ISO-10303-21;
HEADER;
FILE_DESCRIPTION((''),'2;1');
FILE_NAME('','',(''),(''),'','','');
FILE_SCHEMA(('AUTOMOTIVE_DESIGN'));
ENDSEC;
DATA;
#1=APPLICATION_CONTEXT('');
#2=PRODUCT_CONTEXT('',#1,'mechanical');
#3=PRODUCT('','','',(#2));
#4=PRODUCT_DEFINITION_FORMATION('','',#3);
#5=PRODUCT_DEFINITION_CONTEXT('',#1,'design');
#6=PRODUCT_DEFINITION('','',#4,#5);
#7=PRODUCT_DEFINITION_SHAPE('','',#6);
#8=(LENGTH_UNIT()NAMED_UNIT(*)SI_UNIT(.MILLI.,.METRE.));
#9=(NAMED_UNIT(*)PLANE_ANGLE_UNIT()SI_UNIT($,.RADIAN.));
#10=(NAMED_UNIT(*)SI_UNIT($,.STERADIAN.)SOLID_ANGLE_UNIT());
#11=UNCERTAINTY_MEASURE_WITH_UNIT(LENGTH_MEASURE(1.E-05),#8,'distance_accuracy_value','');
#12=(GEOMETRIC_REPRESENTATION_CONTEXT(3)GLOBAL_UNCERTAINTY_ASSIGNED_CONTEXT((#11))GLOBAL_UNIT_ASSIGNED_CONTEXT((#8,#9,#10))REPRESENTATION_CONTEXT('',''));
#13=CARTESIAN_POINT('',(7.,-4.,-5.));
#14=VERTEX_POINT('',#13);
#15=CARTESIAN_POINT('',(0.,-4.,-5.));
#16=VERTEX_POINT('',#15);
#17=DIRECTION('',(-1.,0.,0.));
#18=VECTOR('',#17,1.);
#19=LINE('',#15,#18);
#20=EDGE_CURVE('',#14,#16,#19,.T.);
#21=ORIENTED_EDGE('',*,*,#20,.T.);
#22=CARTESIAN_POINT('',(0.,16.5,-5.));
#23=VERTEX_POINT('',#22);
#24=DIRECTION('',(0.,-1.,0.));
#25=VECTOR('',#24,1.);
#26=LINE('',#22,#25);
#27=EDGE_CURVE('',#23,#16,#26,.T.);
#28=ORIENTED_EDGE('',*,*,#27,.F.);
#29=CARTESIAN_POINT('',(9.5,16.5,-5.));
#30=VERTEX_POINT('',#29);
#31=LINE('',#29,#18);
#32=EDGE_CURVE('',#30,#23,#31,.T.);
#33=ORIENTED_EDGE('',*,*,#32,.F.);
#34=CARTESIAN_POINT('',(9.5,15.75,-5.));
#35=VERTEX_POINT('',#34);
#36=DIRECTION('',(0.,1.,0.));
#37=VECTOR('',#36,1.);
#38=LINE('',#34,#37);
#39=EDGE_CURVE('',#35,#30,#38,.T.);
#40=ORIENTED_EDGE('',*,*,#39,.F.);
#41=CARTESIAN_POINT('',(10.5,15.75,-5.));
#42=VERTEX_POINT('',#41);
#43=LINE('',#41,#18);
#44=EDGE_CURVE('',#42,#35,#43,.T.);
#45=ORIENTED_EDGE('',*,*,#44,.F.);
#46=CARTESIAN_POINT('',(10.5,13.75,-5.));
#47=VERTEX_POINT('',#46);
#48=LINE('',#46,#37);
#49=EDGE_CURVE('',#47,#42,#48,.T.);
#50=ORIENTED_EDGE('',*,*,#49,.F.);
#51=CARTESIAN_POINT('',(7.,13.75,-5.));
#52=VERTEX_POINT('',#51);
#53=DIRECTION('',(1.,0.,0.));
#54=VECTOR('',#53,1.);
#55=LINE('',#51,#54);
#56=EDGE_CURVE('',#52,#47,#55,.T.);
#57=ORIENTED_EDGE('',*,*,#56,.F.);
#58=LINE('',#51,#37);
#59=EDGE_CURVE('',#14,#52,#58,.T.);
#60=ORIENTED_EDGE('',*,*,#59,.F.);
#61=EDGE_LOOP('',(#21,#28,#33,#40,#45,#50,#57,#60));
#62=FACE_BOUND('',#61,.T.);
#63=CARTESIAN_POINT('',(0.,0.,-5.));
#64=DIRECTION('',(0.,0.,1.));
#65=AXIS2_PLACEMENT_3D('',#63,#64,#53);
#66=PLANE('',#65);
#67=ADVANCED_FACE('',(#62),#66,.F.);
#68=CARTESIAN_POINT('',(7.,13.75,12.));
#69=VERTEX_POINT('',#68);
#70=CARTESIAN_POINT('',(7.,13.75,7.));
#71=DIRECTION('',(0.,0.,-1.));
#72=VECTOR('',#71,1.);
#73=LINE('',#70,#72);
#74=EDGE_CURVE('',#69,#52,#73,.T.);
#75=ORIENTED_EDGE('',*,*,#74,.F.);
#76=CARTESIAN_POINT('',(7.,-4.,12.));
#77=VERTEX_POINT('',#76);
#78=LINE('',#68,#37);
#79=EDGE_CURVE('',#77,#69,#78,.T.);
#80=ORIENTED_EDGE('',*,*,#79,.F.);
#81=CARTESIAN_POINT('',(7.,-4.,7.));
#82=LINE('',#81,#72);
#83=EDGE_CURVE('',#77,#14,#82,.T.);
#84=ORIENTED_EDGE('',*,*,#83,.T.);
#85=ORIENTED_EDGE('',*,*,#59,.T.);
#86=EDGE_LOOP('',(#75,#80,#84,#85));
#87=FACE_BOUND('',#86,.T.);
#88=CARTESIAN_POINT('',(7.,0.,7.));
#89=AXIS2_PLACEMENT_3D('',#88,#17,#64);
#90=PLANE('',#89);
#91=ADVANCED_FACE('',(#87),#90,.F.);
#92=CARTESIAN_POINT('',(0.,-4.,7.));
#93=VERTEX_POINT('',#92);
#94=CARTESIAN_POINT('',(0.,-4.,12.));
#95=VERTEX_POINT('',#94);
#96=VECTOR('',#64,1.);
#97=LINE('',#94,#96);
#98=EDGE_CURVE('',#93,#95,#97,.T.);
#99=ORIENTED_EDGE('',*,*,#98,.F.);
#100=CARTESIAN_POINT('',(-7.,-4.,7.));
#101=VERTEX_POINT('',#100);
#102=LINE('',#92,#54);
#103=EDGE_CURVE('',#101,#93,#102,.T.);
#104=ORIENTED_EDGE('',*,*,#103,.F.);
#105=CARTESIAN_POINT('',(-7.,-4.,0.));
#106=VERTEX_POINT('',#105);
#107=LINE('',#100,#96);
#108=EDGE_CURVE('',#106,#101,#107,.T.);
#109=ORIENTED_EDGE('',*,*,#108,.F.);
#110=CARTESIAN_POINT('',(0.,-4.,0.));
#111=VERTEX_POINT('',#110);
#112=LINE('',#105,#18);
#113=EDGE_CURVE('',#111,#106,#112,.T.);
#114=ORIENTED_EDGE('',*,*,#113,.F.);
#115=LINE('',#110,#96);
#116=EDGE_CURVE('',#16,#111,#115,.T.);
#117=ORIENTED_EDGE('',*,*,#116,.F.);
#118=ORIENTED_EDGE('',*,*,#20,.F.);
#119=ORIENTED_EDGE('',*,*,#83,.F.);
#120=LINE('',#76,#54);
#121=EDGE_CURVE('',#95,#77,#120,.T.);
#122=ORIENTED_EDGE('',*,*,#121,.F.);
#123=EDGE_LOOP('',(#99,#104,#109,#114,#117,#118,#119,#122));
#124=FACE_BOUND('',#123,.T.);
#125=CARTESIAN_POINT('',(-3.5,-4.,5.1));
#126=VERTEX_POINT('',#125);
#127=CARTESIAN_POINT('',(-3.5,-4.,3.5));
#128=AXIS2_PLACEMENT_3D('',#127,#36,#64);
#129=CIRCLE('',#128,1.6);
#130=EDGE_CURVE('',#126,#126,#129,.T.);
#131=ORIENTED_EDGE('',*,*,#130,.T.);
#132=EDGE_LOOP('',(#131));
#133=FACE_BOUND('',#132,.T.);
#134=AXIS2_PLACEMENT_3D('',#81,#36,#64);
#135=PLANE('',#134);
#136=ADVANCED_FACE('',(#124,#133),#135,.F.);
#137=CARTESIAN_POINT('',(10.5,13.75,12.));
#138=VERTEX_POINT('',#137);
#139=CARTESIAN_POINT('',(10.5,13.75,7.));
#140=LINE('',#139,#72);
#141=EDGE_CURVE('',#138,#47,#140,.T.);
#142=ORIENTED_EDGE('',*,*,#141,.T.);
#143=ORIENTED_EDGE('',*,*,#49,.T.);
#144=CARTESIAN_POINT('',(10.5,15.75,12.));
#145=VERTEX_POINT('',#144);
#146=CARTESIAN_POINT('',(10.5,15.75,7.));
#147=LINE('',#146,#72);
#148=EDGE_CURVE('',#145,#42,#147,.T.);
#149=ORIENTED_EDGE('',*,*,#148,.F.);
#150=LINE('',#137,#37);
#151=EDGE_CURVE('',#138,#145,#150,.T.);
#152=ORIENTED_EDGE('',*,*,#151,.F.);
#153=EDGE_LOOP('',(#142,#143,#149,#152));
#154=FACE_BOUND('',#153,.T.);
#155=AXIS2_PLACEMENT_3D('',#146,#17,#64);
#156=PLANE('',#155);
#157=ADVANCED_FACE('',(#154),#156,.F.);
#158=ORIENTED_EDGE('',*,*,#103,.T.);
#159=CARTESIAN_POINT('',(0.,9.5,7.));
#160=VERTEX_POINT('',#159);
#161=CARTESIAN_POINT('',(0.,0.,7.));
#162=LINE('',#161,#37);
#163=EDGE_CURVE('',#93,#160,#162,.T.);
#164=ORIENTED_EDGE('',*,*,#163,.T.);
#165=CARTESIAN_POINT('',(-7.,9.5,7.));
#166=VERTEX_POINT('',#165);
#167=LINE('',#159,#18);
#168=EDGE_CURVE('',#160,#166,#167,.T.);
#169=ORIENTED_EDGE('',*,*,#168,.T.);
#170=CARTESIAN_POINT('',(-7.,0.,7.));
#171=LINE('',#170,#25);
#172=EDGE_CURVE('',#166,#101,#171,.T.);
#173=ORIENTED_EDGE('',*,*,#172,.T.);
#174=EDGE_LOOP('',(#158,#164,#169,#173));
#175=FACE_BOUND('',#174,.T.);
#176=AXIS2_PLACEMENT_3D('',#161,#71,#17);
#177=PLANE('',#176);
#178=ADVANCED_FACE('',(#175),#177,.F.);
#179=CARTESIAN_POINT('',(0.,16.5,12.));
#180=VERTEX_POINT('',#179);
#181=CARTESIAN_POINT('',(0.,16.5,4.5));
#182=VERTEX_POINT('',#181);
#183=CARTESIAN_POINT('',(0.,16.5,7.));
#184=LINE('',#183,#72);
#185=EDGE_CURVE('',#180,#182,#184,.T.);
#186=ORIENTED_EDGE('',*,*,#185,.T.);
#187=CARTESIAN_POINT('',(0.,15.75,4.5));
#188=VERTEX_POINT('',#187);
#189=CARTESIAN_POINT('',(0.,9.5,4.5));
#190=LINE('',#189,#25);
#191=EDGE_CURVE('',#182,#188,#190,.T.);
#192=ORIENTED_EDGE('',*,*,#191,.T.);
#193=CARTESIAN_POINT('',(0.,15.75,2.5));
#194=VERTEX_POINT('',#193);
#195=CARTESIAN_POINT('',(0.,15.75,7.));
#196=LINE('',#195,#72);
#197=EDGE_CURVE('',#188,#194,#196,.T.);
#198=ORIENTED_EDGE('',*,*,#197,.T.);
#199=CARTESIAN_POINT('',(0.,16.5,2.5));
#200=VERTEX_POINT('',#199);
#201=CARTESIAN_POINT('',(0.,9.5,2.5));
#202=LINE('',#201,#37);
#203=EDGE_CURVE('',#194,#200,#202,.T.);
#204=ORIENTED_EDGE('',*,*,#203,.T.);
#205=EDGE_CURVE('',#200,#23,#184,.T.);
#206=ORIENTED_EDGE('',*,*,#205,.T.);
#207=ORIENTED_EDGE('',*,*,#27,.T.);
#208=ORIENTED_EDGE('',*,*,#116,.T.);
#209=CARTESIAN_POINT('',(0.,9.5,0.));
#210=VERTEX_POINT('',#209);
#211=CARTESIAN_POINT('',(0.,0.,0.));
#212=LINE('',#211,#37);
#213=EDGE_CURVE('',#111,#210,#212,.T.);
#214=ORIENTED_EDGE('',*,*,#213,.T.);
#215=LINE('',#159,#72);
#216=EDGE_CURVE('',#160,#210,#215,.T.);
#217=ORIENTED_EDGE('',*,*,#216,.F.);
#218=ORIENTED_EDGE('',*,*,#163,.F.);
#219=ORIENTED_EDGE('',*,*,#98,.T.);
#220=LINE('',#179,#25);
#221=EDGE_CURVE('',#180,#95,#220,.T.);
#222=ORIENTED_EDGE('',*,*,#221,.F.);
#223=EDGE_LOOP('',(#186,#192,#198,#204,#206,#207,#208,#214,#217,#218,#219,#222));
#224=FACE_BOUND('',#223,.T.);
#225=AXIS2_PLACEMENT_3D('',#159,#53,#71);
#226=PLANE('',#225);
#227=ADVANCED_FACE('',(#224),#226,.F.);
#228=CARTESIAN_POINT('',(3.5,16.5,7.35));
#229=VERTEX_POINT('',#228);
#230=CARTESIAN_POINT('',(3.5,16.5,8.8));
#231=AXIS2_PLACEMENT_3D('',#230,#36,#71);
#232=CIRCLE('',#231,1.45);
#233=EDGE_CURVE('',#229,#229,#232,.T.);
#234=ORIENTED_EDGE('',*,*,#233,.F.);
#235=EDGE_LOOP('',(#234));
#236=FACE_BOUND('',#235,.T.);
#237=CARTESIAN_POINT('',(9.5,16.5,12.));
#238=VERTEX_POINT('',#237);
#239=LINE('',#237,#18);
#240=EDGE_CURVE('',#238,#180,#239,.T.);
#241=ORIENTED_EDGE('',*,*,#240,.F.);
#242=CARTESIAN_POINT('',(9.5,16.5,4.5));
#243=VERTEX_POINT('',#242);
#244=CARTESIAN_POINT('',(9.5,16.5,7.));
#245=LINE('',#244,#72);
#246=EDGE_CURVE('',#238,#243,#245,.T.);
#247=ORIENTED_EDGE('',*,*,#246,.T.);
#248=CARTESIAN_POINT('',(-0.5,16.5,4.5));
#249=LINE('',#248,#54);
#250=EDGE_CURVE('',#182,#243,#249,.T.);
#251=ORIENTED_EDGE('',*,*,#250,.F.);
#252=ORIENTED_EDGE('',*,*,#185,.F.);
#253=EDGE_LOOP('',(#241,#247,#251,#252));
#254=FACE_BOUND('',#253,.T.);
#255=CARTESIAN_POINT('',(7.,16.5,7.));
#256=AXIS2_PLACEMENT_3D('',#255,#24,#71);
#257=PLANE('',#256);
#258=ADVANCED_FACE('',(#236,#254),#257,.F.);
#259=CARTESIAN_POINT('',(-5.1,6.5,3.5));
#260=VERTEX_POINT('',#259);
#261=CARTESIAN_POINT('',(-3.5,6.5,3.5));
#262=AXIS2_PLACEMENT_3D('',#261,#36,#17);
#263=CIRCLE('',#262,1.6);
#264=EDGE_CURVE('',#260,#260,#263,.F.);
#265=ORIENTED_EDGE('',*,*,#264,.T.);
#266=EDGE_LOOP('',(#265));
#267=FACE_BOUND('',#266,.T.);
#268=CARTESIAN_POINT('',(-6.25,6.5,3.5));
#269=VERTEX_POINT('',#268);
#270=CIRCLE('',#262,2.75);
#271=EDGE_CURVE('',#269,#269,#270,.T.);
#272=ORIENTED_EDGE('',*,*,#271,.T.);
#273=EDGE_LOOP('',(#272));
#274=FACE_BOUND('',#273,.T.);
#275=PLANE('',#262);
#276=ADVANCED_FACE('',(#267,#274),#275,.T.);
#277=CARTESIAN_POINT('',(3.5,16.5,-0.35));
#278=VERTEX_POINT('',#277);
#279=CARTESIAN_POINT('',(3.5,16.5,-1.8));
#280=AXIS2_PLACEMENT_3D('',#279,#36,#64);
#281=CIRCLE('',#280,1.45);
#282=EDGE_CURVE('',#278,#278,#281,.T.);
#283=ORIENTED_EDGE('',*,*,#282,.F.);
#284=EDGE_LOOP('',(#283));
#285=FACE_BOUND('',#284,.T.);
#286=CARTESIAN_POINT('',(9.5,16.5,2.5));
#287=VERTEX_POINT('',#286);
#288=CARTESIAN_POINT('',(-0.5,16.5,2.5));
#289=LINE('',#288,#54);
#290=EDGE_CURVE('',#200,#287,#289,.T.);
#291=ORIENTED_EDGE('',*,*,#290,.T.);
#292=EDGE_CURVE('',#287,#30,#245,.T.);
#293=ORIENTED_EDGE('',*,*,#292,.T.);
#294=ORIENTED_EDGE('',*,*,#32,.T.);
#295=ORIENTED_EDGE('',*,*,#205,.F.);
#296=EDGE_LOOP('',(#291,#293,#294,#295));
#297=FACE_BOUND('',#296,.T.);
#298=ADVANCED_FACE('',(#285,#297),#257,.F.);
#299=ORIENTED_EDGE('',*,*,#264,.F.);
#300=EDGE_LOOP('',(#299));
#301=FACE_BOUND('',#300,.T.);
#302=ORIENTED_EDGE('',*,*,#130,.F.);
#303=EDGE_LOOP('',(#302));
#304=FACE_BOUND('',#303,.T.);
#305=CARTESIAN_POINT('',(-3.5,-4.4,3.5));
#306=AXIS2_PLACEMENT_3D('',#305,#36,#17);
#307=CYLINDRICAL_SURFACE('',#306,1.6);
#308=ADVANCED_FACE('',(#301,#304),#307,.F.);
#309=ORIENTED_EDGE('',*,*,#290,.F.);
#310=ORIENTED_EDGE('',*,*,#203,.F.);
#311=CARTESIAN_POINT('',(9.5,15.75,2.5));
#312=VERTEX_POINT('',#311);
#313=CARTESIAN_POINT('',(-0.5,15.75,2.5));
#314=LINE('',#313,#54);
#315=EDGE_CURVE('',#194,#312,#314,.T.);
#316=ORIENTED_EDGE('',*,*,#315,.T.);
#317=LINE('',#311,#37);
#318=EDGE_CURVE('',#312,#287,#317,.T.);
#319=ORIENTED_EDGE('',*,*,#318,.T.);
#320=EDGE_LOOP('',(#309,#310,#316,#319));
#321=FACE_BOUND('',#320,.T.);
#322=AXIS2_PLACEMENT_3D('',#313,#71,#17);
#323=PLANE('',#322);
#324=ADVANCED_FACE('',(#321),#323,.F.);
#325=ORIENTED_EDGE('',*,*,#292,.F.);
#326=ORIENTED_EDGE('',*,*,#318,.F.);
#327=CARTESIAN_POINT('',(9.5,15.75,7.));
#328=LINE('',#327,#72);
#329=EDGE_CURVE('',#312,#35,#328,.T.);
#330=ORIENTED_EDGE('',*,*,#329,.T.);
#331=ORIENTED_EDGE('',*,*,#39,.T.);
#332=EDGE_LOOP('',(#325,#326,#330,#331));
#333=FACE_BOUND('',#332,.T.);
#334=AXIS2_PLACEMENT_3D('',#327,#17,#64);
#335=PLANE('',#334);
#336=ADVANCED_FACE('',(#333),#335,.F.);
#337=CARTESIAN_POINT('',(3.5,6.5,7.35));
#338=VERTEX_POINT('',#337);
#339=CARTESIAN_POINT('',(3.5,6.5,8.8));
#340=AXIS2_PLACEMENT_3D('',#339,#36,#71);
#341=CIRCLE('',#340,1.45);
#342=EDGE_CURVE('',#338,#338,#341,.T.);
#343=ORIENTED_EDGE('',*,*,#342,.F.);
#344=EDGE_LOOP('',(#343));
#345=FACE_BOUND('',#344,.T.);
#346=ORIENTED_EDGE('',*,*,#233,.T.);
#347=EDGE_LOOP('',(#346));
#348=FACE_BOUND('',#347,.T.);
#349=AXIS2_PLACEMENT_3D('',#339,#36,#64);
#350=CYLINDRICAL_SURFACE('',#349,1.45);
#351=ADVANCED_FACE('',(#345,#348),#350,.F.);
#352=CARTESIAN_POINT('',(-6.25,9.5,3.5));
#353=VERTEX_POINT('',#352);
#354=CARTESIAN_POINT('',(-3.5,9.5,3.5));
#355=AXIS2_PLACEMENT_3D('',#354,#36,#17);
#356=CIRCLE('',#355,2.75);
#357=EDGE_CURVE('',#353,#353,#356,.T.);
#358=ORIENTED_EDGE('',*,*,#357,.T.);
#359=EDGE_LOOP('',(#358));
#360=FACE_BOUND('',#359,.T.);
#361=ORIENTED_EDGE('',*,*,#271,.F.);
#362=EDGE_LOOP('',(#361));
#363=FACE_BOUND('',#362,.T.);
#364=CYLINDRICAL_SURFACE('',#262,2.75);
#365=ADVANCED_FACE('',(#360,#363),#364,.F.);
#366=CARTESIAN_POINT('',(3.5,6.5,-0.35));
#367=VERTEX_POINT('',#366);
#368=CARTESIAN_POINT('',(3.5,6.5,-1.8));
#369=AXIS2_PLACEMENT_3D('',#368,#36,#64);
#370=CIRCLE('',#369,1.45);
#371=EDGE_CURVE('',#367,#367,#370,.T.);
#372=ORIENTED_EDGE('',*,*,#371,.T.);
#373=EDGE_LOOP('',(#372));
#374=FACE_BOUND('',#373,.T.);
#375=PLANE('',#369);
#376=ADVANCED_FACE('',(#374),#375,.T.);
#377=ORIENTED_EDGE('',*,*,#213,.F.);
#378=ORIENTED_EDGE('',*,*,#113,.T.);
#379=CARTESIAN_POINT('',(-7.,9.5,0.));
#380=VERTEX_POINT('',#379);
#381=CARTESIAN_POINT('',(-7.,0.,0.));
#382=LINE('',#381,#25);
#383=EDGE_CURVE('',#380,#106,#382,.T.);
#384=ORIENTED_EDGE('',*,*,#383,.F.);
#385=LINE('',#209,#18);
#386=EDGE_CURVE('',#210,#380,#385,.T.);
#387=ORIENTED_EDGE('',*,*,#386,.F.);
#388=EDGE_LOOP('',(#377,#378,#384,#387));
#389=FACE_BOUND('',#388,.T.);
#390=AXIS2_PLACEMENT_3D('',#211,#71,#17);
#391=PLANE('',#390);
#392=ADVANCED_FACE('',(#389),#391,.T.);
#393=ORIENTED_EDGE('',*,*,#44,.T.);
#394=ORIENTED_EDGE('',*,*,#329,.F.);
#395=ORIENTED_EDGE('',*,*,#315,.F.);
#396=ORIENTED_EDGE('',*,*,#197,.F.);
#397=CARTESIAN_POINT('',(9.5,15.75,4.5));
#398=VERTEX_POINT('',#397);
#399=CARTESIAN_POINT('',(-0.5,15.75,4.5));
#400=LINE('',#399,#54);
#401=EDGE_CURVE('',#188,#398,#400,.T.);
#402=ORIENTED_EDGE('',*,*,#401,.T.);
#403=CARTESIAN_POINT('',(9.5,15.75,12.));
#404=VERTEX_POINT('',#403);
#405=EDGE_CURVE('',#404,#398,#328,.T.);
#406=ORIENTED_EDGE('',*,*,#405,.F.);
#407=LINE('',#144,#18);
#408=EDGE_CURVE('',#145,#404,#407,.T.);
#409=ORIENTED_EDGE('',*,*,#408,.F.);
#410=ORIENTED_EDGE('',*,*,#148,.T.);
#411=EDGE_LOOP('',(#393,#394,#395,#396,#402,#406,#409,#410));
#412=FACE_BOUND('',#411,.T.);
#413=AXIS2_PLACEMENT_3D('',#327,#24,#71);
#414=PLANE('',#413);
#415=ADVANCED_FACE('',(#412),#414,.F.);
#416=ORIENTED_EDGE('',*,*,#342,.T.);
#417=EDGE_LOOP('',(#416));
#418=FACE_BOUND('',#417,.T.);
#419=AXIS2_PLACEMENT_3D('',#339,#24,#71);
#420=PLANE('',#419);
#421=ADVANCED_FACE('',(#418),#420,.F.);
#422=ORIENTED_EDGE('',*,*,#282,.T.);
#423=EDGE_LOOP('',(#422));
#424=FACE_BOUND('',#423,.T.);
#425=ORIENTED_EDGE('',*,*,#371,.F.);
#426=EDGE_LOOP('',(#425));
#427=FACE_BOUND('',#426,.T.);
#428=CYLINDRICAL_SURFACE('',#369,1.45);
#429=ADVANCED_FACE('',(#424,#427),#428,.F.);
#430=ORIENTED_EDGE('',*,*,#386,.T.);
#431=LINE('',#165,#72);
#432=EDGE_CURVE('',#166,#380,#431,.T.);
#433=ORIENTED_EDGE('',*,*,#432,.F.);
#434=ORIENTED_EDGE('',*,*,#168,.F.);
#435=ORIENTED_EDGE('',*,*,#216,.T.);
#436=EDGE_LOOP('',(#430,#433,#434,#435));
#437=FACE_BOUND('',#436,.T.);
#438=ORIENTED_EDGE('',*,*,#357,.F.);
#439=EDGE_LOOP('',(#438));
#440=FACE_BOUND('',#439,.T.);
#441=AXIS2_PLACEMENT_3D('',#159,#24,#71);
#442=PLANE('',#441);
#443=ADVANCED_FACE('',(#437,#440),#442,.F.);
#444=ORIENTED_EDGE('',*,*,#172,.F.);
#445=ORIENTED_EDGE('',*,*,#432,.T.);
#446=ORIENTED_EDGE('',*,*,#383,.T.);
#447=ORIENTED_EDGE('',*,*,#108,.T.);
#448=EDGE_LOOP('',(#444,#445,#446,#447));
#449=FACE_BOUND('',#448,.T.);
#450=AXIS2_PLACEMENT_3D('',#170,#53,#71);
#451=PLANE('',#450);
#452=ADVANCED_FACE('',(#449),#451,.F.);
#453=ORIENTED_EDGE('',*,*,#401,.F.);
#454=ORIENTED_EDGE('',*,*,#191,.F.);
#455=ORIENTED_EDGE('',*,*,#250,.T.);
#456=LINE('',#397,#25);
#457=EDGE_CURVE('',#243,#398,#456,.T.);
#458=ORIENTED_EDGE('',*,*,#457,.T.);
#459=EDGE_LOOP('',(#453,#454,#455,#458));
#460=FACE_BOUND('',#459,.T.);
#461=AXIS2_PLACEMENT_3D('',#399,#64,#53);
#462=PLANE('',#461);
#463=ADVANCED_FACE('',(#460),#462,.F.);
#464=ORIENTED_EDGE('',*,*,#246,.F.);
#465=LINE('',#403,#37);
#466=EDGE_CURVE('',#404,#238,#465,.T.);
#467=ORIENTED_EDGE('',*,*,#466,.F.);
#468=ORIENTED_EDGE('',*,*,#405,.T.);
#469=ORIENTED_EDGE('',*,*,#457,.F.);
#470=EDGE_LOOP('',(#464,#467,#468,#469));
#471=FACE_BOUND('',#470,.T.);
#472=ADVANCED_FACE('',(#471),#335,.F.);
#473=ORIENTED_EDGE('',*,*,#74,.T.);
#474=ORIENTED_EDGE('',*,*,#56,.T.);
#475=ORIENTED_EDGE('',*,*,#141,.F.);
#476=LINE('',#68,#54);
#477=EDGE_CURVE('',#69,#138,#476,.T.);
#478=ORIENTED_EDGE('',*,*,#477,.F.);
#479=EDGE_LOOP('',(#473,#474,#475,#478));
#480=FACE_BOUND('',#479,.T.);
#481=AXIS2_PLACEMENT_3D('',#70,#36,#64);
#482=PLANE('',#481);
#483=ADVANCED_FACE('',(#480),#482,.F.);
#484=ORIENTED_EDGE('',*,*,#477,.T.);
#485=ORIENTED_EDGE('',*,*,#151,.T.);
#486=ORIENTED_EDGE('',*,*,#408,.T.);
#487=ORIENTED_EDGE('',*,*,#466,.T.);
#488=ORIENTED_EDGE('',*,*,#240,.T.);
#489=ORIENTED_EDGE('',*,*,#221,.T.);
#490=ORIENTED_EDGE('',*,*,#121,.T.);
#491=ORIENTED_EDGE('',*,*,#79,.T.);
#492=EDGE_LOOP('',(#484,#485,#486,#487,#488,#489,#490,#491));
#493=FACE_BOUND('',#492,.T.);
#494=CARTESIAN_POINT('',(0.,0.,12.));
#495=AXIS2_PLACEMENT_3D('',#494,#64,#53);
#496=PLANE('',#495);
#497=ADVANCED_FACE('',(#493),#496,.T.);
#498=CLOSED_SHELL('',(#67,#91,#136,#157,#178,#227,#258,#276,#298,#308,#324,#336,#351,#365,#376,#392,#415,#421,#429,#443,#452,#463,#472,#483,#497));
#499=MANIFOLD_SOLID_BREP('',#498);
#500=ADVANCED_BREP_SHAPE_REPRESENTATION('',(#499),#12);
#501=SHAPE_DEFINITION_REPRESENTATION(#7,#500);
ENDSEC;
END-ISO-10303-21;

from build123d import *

# Parameters (mm, degrees)
SALIENTE_EXTRUIR1_DEPTH      = 7
CROQUIS5_R                   = 1.6
CORTAR_EXTRUIR2_DEPTH        = 13.9
CROQUIS6_R                   = 2.75
CORTAR_EXTRUIR3_DEPTH        = 3
SALIENTE_EXTRUIR2_DEPTH      = 5
SALIENTE_EXTRUIR2_DEPTH_BACK = 12
CROQUIS8_R                   = 1.45
CORTAR_EXTRUIR4_DEPTH        = 10
CROQUIS9_W                   = 2
CROQUIS9_H                   = 0.75
CORTAR_EXTRUIR5_DEPTH        = 10
CROQUIS10_R                  = 1.6
SALIENTE_EXTRUIR3_DEPTH      = 4


with BuildPart() as part:
    # Croquis1 → Saliente-Extruir1 (new body)
    with BuildSketch(Plane.XY):
        Polygon((0, 0), (4, 0), (4, -4), (7, -4), (7, 0), (7, 13.75), (10.5, 13.75), (10.5, 15.75), (9.5, 15.75), (9.5, 16.5), (7, 16.5), (0, 16.5), (0, 9.5), (-7, 9.5), (-7, 0), align=None)
    extrude(amount=SALIENTE_EXTRUIR1_DEPTH)

    # Croquis5 → Cortar-Extruir2 (cut)
    with BuildSketch(Plane(origin=(0, 9.5, 0), x_dir=(1, 0, 0), z_dir=(0, 1, 0))):
        with Locations(Location((-3.5, -3.5, 0), (0, 0, 180))):
            Circle(CROQUIS5_R)
    extrude(amount=-CORTAR_EXTRUIR2_DEPTH, mode=Mode.SUBTRACT)

    # Croquis6 → Cortar-Extruir3 (cut)
    with BuildSketch(Plane(origin=(0, 9.5, 0), x_dir=(1, 0, 0), z_dir=(0, 1, 0))):
        with Locations(Location((-3.5, -3.5, 0), (0, 0, 180))):
            Circle(CROQUIS6_R)
    extrude(amount=-CORTAR_EXTRUIR3_DEPTH, mode=Mode.SUBTRACT)

    # Croquis7 → Saliente-Extruir2 (add, two sides: drawn at the far end of the back side and taken through both)
    with BuildSketch(Plane.XY.offset(7).offset(-SALIENTE_EXTRUIR2_DEPTH_BACK)):
        Polygon((0, 16.5), (0, 0), (7, 0), (7, 13.75), (10.5, 13.75), (10.5, 15.75), (9.5, 15.75), (9.5, 16.5), align=None)
    extrude(amount=SALIENTE_EXTRUIR2_DEPTH + SALIENTE_EXTRUIR2_DEPTH_BACK)

    # Croquis8 → Cortar-Extruir4 (cut)
    with BuildSketch(Plane(origin=(0, 16.5, 0), x_dir=(1, 0, 0), z_dir=(0, 1, 0))):
        with Locations(Location((3.5, 1.8, 0), (0, 0, 270))):
            Circle(CROQUIS8_R)
        with Locations(Location((3.5, -8.8, 0), (0, 0, 90))):
            Circle(CROQUIS8_R)
    extrude(amount=-CORTAR_EXTRUIR4_DEPTH, mode=Mode.SUBTRACT)

    # Croquis9 → Cortar-Extruir5 (cut)
    with BuildSketch(Plane(origin=(9.5, 0, 0), x_dir=(0, 0, -1), z_dir=(1, 0, 0))):
        with Locations((-3.5, 16.125)):
            Rectangle(CROQUIS9_W, CROQUIS9_H)
    extrude(amount=-CORTAR_EXTRUIR5_DEPTH, mode=Mode.SUBTRACT)

    # Croquis10 → Saliente-Extruir3 (add)
    with BuildSketch(Plane.XZ):
        Polygon((-7, 0), (0, 0), (0, -5), (7, -5), (7, 0), (4, 0), (4, 7), (7, 7), (7, 12), (0, 12), (0, 7), (-7, 7), align=None)
        with Locations(Location((-3.5, 3.5, 0), (0, 0, 180))):
            Circle(CROQUIS10_R, mode=Mode.SUBTRACT)
    extrude(amount=SALIENTE_EXTRUIR3_DEPTH)


solid = part.part
